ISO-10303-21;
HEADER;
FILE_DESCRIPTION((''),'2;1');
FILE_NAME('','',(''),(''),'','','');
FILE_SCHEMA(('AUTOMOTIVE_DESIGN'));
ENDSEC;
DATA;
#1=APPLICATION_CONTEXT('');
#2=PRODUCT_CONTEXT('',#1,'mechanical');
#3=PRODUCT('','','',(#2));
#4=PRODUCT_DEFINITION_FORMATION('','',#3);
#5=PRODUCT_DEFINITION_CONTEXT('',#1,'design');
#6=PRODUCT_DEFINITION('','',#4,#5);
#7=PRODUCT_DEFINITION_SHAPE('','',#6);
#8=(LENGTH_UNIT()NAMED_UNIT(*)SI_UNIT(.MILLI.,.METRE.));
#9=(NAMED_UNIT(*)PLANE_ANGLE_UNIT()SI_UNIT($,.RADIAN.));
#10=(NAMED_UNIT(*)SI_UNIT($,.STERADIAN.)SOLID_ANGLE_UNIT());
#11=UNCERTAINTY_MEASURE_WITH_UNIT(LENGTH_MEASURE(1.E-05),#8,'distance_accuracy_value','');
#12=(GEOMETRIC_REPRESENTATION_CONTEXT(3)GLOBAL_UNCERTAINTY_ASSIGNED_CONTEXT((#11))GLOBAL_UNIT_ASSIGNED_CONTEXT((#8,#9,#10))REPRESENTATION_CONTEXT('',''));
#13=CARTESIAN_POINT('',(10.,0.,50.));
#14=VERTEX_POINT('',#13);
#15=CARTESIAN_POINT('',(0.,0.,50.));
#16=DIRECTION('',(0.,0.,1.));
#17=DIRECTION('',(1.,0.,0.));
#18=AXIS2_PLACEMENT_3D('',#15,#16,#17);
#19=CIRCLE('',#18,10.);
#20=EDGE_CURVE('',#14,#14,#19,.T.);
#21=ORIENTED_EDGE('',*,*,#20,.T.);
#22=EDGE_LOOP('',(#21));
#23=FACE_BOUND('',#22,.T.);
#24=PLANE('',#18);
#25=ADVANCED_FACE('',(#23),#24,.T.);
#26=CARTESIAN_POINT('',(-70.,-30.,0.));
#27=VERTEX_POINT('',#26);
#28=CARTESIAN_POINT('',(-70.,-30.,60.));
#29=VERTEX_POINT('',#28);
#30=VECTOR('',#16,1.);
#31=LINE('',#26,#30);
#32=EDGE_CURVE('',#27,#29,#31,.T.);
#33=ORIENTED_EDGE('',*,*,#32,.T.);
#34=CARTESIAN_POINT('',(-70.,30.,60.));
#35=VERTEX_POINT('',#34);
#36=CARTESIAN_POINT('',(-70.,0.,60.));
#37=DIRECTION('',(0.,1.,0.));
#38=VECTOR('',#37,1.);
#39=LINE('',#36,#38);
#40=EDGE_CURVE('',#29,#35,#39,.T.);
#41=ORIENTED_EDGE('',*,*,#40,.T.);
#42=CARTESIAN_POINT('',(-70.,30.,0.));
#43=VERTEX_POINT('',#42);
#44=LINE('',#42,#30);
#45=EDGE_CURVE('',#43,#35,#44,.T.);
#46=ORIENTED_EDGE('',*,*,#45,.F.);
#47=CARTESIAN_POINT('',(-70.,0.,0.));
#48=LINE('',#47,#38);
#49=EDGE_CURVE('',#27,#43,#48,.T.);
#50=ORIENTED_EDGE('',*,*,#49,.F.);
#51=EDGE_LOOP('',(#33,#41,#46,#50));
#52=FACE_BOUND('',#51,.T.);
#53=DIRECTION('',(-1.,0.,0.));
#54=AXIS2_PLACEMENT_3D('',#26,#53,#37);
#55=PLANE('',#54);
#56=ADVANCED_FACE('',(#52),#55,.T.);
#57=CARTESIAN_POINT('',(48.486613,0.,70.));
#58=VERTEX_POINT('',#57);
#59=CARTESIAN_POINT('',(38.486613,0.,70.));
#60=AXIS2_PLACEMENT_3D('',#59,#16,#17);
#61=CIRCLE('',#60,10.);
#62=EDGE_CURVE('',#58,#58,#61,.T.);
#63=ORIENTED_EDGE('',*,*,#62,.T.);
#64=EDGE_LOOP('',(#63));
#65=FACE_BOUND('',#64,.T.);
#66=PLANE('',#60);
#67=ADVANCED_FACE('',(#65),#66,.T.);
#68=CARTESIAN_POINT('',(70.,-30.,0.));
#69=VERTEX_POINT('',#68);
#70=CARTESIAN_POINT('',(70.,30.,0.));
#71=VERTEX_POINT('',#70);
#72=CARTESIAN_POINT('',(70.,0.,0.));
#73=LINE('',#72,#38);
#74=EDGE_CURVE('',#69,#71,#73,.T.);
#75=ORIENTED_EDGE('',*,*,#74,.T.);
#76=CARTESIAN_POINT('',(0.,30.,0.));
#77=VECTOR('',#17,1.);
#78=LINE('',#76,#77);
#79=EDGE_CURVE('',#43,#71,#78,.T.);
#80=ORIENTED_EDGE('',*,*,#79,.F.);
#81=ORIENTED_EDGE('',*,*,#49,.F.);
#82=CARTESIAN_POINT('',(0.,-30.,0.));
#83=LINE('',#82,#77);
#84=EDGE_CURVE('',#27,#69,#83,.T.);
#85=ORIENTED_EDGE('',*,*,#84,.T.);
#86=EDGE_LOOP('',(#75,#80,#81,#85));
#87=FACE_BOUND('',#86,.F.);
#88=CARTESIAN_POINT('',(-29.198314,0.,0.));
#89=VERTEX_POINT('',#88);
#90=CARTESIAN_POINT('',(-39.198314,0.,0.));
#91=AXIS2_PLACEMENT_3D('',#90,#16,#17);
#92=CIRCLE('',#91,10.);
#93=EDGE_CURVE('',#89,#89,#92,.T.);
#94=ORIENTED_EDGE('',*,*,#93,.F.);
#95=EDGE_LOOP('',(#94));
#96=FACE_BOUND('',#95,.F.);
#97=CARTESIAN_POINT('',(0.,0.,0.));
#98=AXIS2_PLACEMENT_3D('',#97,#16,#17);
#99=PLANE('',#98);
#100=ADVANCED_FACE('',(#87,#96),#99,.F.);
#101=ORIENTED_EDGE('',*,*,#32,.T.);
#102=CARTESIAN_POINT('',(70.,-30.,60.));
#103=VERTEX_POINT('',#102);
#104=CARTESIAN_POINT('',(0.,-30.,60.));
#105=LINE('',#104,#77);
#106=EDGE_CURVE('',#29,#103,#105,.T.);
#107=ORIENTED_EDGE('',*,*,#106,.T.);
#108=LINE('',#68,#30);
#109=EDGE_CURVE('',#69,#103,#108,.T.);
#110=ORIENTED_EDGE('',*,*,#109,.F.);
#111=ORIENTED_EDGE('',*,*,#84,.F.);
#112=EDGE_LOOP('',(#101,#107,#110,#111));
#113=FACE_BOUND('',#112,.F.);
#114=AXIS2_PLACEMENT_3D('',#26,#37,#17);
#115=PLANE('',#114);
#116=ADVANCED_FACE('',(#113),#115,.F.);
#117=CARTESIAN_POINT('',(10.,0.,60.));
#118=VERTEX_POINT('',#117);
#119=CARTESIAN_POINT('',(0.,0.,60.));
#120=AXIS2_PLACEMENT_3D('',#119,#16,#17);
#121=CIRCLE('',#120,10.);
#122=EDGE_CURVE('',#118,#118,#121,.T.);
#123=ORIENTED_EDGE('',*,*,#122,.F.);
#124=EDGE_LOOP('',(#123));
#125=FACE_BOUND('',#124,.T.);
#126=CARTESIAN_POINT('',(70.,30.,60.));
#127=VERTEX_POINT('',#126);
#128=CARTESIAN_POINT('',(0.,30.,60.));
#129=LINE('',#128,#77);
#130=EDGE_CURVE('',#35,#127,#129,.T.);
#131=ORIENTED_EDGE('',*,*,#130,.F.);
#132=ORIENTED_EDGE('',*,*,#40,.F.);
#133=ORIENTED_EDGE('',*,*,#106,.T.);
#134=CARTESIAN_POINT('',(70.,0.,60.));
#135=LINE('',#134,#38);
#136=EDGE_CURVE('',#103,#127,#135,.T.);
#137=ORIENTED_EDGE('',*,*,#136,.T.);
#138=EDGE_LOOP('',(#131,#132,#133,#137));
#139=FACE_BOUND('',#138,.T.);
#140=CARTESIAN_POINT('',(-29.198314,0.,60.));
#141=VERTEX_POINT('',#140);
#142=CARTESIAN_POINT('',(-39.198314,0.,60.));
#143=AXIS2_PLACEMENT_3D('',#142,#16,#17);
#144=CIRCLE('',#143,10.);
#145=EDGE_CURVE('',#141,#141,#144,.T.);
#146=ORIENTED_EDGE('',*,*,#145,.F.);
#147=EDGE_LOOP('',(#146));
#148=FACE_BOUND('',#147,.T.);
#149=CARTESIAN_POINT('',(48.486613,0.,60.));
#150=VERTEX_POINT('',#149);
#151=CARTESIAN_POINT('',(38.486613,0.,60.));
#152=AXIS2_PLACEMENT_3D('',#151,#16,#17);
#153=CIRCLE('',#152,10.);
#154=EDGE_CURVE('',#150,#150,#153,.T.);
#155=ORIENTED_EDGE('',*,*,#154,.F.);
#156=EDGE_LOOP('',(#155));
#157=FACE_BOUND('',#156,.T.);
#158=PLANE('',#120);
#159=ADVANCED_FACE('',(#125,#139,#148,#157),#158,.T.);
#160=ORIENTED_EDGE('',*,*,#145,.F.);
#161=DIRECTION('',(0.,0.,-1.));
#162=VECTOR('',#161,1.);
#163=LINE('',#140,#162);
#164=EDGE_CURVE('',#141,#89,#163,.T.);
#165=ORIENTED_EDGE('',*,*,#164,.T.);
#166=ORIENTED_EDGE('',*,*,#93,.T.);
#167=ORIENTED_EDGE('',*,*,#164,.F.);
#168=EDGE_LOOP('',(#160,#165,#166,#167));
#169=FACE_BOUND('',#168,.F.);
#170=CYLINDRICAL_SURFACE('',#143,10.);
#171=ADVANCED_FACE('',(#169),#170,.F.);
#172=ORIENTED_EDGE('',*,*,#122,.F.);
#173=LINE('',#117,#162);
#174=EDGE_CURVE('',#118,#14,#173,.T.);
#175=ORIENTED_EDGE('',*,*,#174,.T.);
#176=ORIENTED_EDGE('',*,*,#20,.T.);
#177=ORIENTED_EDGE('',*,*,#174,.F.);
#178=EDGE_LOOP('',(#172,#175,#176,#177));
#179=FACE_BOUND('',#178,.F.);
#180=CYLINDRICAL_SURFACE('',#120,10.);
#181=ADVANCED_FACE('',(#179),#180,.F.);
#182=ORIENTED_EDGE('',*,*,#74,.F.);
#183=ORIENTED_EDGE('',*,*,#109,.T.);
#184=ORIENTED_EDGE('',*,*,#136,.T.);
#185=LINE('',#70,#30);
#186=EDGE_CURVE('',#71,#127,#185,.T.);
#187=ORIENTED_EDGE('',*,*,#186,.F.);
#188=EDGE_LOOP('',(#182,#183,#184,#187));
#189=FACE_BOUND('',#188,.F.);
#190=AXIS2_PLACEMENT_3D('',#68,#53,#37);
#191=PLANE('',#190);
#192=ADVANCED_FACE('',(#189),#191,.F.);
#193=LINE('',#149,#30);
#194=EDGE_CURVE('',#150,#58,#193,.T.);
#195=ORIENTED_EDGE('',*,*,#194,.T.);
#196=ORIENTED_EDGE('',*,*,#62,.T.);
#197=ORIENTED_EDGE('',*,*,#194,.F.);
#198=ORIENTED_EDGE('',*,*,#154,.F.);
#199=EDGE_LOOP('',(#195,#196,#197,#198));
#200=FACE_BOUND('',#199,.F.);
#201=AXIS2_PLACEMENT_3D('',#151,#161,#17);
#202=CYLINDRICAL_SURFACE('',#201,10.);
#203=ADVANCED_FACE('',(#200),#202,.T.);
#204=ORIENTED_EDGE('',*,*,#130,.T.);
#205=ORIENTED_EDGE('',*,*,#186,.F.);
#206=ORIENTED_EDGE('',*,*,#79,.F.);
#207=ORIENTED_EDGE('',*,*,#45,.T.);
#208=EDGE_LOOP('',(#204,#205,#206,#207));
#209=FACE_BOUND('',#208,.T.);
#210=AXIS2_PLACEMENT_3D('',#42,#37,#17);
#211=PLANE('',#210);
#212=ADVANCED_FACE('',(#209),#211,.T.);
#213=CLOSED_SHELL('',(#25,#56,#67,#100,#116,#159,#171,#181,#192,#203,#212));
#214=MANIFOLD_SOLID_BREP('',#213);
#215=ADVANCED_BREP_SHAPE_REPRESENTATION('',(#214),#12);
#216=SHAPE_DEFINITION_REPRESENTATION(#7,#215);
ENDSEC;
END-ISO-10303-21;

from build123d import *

# Parameters (mm, degrees)
F0_W     = 140
F0_H     = 60
F1_DEPTH = 60
F2_R     = 10
F3_DEPTH = 10
F5_R     = 10
F6_DEPTH = 77.4
F7_R     = 10
F8_DEPTH = 10


with BuildPart() as f1:
    # F0 (on Top) → F1 (new body)
    with BuildSketch(Plane.XY):
        Rectangle(F0_W, F0_H)
    extrude(amount=F1_DEPTH)

    # F2 (on face) → F3 (cut)
    with BuildSketch(Plane.XY.offset(60)):
        Circle(F2_R)
    extrude(amount=-F3_DEPTH, mode=Mode.SUBTRACT)

    # F5 (on face) → F6 (cut)
    with BuildSketch(Plane.XY.offset(60)):
        with Locations((-39.198314, 0)):
            Circle(F5_R)
    extrude(amount=-F6_DEPTH, mode=Mode.SUBTRACT)

    # F7 (on face) → F8 (join)
    with BuildSketch(Plane.XY.offset(60)):
        with Locations((38.486613, 0)):
            Circle(F7_R)
    extrude(amount=F8_DEPTH)


solid = f1.part
